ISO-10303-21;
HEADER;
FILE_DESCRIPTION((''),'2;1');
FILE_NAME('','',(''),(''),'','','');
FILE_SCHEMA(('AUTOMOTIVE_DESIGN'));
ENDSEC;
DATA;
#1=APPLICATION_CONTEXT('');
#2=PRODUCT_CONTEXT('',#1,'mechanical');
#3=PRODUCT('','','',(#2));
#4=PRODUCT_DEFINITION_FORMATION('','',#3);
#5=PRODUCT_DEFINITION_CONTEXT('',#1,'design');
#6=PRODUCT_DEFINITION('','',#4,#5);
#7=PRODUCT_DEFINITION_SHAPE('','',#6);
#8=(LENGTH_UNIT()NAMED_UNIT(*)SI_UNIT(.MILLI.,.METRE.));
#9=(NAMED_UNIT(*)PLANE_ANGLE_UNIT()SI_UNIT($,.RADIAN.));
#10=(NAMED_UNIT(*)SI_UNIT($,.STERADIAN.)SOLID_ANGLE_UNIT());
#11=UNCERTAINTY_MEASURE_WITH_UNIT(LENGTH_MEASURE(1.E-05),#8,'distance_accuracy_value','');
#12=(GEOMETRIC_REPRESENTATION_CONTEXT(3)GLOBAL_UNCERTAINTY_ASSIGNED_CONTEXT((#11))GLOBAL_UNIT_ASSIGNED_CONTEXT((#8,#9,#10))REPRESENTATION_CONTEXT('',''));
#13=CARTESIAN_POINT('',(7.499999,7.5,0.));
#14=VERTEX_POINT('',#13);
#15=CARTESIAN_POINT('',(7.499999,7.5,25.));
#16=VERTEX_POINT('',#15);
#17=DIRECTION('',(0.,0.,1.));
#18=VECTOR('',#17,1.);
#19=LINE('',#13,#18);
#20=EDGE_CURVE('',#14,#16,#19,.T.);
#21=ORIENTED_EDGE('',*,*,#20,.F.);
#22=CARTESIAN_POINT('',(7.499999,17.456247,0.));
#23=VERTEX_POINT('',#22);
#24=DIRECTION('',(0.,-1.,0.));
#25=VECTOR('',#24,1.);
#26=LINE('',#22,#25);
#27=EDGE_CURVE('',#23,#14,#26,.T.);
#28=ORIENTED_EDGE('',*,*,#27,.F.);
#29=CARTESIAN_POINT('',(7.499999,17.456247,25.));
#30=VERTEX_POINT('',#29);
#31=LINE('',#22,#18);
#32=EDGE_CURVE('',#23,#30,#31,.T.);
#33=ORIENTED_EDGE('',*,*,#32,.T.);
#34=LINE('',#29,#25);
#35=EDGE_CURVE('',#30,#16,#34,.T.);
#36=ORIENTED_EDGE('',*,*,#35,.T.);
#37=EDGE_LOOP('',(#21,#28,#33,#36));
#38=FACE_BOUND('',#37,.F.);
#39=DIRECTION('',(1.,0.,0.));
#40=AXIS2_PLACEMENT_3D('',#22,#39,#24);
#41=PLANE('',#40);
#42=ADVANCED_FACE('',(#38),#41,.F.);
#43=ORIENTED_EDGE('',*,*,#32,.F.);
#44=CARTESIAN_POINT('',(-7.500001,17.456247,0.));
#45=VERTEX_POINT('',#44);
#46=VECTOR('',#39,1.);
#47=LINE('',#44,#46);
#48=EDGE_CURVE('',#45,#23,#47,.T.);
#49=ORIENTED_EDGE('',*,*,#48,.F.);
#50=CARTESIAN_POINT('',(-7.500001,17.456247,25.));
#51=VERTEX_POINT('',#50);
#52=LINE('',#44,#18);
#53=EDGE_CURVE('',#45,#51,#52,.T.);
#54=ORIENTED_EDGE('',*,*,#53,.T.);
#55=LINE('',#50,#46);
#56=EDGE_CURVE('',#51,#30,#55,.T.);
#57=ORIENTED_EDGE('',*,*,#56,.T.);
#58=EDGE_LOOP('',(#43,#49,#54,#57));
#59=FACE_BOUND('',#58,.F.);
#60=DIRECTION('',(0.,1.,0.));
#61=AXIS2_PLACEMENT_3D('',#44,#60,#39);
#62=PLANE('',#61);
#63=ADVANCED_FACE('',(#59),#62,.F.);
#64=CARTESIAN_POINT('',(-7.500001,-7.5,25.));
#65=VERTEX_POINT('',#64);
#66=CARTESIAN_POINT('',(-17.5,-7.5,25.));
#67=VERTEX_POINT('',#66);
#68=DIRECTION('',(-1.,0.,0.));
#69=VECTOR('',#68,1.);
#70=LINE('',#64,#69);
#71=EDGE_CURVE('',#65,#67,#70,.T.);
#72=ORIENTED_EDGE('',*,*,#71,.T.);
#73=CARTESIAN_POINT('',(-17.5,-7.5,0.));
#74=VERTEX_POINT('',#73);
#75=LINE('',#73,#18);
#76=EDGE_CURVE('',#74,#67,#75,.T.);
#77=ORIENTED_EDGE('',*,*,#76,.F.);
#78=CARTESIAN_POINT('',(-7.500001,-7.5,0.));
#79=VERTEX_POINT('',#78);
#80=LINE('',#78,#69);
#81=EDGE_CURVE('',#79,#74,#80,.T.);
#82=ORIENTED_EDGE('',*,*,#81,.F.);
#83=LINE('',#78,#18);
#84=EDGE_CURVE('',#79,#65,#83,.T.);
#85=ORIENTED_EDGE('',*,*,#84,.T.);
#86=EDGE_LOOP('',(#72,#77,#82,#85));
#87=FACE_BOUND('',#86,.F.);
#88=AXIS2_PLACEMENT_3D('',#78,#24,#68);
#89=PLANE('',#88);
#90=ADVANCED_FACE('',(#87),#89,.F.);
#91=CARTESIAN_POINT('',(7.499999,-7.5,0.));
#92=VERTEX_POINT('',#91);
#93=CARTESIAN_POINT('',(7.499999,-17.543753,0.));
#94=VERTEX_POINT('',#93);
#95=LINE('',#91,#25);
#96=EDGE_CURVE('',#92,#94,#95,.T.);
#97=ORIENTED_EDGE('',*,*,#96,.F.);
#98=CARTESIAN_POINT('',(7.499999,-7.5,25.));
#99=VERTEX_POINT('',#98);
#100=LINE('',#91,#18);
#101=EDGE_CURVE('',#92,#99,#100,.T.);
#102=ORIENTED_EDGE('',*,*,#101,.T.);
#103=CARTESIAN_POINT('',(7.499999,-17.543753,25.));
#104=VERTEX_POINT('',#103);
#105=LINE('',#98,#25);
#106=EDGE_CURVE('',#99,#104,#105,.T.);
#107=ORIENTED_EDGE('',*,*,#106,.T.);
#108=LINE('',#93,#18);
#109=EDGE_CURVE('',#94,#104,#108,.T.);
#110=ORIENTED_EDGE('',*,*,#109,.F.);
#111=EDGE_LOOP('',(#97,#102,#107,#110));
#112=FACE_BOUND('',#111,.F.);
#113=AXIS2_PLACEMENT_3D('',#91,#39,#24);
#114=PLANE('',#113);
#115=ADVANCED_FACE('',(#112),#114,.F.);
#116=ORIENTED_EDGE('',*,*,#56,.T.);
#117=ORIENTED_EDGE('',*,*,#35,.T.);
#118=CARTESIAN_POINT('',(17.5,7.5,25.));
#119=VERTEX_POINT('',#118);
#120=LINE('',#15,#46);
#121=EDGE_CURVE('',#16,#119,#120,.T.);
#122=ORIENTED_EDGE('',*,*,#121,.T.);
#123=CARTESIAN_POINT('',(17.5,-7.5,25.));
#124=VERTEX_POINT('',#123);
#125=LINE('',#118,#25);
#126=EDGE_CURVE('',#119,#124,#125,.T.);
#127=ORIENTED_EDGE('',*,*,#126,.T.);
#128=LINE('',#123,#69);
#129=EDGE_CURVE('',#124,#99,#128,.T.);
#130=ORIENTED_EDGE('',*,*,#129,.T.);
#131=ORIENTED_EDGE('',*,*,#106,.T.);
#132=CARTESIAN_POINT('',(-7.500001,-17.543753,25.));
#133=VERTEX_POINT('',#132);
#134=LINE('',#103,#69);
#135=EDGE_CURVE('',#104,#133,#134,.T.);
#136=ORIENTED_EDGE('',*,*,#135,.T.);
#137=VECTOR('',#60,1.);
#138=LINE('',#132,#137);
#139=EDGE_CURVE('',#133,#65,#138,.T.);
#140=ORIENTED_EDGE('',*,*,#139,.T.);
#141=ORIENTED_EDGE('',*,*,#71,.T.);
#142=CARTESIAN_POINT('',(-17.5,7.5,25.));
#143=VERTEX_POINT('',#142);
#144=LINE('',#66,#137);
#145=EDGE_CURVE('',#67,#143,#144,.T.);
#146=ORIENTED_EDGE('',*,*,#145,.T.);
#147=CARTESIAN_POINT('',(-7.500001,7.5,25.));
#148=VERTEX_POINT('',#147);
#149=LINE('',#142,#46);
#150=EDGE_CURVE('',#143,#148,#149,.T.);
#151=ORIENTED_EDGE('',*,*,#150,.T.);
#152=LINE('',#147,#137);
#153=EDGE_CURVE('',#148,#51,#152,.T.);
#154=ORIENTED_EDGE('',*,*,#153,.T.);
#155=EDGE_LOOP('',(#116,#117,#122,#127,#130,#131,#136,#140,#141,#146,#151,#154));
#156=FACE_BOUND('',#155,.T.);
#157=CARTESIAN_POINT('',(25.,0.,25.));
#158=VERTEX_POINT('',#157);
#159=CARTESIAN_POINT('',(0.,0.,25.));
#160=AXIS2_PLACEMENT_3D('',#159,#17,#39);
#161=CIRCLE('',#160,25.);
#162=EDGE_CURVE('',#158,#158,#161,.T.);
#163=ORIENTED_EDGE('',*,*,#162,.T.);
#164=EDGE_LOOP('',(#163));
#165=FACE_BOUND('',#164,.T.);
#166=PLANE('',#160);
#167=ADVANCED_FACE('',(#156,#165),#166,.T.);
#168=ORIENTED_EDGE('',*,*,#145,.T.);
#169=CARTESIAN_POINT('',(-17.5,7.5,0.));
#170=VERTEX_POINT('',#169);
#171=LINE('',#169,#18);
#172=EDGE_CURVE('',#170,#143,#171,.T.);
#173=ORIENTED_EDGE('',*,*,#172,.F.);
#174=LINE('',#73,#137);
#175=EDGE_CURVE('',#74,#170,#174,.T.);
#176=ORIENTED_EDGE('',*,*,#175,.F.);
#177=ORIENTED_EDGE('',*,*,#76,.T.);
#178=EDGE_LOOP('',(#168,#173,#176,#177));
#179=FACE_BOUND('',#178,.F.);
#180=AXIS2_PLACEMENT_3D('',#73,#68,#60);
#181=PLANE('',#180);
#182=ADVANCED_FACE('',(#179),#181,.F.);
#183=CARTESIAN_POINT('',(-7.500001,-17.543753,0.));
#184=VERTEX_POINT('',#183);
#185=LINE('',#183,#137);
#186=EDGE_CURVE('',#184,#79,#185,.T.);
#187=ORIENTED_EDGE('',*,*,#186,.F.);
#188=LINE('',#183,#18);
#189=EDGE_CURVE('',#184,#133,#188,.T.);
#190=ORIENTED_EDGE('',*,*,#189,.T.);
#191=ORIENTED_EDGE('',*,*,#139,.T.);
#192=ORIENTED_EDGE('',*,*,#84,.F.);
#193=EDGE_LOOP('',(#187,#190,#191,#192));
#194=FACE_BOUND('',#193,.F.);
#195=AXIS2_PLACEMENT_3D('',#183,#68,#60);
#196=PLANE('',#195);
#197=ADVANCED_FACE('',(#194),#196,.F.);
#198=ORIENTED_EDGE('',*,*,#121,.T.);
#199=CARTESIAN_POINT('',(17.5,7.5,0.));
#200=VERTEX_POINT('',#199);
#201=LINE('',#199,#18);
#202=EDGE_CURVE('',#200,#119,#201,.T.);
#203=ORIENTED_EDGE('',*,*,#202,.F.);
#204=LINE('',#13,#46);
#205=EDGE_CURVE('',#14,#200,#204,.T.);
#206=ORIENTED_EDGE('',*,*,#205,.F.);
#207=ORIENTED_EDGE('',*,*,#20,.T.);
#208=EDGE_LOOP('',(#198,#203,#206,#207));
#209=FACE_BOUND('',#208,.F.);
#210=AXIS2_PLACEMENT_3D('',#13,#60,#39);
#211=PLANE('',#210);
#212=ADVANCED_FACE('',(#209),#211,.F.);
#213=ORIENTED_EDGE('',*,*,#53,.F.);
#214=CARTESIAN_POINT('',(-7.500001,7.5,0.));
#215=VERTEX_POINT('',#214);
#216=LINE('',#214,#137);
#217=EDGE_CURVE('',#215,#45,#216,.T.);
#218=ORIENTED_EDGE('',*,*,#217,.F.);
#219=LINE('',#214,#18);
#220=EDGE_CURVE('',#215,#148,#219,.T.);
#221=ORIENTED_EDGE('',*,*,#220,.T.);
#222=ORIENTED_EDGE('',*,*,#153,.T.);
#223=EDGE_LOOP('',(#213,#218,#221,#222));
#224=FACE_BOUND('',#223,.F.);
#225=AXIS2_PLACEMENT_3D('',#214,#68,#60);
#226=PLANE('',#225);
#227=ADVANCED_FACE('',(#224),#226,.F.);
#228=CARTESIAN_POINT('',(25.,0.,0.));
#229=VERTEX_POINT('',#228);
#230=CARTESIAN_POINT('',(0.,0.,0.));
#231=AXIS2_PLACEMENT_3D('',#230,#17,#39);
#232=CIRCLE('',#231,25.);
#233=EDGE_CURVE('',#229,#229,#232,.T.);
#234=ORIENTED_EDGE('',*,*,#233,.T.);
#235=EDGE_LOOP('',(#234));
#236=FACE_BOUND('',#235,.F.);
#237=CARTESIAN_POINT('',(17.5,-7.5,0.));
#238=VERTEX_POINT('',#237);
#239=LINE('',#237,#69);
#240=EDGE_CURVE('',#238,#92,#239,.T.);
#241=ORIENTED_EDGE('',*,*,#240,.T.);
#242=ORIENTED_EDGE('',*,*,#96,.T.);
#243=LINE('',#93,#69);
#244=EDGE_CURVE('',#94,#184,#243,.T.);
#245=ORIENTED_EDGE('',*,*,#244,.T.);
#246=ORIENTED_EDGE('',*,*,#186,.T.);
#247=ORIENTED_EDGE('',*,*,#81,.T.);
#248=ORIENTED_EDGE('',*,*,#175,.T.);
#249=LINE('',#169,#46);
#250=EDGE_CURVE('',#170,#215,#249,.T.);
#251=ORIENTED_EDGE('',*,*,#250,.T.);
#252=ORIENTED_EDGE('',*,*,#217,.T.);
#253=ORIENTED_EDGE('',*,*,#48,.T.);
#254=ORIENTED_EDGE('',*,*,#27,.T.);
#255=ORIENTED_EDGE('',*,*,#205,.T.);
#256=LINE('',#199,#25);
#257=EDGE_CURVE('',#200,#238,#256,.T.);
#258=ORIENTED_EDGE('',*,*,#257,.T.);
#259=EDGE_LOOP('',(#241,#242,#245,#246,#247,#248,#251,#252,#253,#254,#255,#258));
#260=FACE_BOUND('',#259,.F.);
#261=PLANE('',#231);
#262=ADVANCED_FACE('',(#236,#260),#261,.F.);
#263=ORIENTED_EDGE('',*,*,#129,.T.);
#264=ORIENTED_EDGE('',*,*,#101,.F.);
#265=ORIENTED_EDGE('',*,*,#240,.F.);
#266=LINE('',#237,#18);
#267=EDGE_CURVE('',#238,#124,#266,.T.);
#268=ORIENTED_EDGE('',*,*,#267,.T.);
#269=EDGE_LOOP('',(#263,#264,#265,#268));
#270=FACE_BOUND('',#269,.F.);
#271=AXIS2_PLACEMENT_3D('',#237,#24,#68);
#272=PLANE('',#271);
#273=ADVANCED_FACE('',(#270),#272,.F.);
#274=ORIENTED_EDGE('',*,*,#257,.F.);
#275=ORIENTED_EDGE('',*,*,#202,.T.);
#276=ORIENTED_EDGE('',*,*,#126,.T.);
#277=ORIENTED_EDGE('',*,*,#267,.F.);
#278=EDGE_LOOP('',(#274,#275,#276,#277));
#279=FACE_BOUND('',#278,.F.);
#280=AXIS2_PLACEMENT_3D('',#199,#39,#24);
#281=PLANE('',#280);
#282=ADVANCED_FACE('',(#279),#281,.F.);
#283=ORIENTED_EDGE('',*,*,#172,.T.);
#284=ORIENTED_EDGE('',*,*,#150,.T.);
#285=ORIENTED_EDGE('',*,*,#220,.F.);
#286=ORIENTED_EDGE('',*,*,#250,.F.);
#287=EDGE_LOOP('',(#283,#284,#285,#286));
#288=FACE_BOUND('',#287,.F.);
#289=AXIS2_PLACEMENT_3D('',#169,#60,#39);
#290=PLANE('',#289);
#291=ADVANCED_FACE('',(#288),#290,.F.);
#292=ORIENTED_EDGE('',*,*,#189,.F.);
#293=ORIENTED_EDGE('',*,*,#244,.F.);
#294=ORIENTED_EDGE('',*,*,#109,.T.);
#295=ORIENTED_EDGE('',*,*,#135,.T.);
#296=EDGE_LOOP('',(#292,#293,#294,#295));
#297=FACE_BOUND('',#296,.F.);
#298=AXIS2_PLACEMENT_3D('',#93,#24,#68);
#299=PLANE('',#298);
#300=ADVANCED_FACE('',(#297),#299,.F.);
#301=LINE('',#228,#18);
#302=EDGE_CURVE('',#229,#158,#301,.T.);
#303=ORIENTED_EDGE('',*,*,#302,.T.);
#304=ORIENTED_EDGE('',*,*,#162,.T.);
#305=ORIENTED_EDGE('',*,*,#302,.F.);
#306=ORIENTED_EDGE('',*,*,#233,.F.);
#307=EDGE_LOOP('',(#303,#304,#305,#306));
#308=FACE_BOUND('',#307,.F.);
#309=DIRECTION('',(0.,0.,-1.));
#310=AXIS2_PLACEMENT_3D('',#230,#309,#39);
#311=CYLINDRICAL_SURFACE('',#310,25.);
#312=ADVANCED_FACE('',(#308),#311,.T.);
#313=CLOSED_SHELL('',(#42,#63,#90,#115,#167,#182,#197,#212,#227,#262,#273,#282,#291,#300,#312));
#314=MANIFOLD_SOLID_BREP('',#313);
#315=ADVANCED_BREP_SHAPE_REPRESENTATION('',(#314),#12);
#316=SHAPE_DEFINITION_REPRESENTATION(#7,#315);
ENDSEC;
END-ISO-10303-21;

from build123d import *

# Parameters (mm, degrees)
F0_R     = 25
F1_DEPTH = 25


with BuildPart() as f1:
    # F0 (on Top) → F1 (new body)
    with BuildSketch(Plane.XY):
        Circle(F0_R)
        Polygon((17.5, 7.5), (17.5, -7.5), (7.499999, -7.5), (7.499999, -17.543753), (-7.500001, -17.543753), (-7.500001, -7.5), (-17.5, -7.5), (-17.5, 7.5), (-7.500001, 7.5), (-7.500001, 17.456247), (7.499999, 17.456247), (7.499999, 7.5), align=None, mode=Mode.SUBTRACT)
    extrude(amount=F1_DEPTH)


solid = f1.part
